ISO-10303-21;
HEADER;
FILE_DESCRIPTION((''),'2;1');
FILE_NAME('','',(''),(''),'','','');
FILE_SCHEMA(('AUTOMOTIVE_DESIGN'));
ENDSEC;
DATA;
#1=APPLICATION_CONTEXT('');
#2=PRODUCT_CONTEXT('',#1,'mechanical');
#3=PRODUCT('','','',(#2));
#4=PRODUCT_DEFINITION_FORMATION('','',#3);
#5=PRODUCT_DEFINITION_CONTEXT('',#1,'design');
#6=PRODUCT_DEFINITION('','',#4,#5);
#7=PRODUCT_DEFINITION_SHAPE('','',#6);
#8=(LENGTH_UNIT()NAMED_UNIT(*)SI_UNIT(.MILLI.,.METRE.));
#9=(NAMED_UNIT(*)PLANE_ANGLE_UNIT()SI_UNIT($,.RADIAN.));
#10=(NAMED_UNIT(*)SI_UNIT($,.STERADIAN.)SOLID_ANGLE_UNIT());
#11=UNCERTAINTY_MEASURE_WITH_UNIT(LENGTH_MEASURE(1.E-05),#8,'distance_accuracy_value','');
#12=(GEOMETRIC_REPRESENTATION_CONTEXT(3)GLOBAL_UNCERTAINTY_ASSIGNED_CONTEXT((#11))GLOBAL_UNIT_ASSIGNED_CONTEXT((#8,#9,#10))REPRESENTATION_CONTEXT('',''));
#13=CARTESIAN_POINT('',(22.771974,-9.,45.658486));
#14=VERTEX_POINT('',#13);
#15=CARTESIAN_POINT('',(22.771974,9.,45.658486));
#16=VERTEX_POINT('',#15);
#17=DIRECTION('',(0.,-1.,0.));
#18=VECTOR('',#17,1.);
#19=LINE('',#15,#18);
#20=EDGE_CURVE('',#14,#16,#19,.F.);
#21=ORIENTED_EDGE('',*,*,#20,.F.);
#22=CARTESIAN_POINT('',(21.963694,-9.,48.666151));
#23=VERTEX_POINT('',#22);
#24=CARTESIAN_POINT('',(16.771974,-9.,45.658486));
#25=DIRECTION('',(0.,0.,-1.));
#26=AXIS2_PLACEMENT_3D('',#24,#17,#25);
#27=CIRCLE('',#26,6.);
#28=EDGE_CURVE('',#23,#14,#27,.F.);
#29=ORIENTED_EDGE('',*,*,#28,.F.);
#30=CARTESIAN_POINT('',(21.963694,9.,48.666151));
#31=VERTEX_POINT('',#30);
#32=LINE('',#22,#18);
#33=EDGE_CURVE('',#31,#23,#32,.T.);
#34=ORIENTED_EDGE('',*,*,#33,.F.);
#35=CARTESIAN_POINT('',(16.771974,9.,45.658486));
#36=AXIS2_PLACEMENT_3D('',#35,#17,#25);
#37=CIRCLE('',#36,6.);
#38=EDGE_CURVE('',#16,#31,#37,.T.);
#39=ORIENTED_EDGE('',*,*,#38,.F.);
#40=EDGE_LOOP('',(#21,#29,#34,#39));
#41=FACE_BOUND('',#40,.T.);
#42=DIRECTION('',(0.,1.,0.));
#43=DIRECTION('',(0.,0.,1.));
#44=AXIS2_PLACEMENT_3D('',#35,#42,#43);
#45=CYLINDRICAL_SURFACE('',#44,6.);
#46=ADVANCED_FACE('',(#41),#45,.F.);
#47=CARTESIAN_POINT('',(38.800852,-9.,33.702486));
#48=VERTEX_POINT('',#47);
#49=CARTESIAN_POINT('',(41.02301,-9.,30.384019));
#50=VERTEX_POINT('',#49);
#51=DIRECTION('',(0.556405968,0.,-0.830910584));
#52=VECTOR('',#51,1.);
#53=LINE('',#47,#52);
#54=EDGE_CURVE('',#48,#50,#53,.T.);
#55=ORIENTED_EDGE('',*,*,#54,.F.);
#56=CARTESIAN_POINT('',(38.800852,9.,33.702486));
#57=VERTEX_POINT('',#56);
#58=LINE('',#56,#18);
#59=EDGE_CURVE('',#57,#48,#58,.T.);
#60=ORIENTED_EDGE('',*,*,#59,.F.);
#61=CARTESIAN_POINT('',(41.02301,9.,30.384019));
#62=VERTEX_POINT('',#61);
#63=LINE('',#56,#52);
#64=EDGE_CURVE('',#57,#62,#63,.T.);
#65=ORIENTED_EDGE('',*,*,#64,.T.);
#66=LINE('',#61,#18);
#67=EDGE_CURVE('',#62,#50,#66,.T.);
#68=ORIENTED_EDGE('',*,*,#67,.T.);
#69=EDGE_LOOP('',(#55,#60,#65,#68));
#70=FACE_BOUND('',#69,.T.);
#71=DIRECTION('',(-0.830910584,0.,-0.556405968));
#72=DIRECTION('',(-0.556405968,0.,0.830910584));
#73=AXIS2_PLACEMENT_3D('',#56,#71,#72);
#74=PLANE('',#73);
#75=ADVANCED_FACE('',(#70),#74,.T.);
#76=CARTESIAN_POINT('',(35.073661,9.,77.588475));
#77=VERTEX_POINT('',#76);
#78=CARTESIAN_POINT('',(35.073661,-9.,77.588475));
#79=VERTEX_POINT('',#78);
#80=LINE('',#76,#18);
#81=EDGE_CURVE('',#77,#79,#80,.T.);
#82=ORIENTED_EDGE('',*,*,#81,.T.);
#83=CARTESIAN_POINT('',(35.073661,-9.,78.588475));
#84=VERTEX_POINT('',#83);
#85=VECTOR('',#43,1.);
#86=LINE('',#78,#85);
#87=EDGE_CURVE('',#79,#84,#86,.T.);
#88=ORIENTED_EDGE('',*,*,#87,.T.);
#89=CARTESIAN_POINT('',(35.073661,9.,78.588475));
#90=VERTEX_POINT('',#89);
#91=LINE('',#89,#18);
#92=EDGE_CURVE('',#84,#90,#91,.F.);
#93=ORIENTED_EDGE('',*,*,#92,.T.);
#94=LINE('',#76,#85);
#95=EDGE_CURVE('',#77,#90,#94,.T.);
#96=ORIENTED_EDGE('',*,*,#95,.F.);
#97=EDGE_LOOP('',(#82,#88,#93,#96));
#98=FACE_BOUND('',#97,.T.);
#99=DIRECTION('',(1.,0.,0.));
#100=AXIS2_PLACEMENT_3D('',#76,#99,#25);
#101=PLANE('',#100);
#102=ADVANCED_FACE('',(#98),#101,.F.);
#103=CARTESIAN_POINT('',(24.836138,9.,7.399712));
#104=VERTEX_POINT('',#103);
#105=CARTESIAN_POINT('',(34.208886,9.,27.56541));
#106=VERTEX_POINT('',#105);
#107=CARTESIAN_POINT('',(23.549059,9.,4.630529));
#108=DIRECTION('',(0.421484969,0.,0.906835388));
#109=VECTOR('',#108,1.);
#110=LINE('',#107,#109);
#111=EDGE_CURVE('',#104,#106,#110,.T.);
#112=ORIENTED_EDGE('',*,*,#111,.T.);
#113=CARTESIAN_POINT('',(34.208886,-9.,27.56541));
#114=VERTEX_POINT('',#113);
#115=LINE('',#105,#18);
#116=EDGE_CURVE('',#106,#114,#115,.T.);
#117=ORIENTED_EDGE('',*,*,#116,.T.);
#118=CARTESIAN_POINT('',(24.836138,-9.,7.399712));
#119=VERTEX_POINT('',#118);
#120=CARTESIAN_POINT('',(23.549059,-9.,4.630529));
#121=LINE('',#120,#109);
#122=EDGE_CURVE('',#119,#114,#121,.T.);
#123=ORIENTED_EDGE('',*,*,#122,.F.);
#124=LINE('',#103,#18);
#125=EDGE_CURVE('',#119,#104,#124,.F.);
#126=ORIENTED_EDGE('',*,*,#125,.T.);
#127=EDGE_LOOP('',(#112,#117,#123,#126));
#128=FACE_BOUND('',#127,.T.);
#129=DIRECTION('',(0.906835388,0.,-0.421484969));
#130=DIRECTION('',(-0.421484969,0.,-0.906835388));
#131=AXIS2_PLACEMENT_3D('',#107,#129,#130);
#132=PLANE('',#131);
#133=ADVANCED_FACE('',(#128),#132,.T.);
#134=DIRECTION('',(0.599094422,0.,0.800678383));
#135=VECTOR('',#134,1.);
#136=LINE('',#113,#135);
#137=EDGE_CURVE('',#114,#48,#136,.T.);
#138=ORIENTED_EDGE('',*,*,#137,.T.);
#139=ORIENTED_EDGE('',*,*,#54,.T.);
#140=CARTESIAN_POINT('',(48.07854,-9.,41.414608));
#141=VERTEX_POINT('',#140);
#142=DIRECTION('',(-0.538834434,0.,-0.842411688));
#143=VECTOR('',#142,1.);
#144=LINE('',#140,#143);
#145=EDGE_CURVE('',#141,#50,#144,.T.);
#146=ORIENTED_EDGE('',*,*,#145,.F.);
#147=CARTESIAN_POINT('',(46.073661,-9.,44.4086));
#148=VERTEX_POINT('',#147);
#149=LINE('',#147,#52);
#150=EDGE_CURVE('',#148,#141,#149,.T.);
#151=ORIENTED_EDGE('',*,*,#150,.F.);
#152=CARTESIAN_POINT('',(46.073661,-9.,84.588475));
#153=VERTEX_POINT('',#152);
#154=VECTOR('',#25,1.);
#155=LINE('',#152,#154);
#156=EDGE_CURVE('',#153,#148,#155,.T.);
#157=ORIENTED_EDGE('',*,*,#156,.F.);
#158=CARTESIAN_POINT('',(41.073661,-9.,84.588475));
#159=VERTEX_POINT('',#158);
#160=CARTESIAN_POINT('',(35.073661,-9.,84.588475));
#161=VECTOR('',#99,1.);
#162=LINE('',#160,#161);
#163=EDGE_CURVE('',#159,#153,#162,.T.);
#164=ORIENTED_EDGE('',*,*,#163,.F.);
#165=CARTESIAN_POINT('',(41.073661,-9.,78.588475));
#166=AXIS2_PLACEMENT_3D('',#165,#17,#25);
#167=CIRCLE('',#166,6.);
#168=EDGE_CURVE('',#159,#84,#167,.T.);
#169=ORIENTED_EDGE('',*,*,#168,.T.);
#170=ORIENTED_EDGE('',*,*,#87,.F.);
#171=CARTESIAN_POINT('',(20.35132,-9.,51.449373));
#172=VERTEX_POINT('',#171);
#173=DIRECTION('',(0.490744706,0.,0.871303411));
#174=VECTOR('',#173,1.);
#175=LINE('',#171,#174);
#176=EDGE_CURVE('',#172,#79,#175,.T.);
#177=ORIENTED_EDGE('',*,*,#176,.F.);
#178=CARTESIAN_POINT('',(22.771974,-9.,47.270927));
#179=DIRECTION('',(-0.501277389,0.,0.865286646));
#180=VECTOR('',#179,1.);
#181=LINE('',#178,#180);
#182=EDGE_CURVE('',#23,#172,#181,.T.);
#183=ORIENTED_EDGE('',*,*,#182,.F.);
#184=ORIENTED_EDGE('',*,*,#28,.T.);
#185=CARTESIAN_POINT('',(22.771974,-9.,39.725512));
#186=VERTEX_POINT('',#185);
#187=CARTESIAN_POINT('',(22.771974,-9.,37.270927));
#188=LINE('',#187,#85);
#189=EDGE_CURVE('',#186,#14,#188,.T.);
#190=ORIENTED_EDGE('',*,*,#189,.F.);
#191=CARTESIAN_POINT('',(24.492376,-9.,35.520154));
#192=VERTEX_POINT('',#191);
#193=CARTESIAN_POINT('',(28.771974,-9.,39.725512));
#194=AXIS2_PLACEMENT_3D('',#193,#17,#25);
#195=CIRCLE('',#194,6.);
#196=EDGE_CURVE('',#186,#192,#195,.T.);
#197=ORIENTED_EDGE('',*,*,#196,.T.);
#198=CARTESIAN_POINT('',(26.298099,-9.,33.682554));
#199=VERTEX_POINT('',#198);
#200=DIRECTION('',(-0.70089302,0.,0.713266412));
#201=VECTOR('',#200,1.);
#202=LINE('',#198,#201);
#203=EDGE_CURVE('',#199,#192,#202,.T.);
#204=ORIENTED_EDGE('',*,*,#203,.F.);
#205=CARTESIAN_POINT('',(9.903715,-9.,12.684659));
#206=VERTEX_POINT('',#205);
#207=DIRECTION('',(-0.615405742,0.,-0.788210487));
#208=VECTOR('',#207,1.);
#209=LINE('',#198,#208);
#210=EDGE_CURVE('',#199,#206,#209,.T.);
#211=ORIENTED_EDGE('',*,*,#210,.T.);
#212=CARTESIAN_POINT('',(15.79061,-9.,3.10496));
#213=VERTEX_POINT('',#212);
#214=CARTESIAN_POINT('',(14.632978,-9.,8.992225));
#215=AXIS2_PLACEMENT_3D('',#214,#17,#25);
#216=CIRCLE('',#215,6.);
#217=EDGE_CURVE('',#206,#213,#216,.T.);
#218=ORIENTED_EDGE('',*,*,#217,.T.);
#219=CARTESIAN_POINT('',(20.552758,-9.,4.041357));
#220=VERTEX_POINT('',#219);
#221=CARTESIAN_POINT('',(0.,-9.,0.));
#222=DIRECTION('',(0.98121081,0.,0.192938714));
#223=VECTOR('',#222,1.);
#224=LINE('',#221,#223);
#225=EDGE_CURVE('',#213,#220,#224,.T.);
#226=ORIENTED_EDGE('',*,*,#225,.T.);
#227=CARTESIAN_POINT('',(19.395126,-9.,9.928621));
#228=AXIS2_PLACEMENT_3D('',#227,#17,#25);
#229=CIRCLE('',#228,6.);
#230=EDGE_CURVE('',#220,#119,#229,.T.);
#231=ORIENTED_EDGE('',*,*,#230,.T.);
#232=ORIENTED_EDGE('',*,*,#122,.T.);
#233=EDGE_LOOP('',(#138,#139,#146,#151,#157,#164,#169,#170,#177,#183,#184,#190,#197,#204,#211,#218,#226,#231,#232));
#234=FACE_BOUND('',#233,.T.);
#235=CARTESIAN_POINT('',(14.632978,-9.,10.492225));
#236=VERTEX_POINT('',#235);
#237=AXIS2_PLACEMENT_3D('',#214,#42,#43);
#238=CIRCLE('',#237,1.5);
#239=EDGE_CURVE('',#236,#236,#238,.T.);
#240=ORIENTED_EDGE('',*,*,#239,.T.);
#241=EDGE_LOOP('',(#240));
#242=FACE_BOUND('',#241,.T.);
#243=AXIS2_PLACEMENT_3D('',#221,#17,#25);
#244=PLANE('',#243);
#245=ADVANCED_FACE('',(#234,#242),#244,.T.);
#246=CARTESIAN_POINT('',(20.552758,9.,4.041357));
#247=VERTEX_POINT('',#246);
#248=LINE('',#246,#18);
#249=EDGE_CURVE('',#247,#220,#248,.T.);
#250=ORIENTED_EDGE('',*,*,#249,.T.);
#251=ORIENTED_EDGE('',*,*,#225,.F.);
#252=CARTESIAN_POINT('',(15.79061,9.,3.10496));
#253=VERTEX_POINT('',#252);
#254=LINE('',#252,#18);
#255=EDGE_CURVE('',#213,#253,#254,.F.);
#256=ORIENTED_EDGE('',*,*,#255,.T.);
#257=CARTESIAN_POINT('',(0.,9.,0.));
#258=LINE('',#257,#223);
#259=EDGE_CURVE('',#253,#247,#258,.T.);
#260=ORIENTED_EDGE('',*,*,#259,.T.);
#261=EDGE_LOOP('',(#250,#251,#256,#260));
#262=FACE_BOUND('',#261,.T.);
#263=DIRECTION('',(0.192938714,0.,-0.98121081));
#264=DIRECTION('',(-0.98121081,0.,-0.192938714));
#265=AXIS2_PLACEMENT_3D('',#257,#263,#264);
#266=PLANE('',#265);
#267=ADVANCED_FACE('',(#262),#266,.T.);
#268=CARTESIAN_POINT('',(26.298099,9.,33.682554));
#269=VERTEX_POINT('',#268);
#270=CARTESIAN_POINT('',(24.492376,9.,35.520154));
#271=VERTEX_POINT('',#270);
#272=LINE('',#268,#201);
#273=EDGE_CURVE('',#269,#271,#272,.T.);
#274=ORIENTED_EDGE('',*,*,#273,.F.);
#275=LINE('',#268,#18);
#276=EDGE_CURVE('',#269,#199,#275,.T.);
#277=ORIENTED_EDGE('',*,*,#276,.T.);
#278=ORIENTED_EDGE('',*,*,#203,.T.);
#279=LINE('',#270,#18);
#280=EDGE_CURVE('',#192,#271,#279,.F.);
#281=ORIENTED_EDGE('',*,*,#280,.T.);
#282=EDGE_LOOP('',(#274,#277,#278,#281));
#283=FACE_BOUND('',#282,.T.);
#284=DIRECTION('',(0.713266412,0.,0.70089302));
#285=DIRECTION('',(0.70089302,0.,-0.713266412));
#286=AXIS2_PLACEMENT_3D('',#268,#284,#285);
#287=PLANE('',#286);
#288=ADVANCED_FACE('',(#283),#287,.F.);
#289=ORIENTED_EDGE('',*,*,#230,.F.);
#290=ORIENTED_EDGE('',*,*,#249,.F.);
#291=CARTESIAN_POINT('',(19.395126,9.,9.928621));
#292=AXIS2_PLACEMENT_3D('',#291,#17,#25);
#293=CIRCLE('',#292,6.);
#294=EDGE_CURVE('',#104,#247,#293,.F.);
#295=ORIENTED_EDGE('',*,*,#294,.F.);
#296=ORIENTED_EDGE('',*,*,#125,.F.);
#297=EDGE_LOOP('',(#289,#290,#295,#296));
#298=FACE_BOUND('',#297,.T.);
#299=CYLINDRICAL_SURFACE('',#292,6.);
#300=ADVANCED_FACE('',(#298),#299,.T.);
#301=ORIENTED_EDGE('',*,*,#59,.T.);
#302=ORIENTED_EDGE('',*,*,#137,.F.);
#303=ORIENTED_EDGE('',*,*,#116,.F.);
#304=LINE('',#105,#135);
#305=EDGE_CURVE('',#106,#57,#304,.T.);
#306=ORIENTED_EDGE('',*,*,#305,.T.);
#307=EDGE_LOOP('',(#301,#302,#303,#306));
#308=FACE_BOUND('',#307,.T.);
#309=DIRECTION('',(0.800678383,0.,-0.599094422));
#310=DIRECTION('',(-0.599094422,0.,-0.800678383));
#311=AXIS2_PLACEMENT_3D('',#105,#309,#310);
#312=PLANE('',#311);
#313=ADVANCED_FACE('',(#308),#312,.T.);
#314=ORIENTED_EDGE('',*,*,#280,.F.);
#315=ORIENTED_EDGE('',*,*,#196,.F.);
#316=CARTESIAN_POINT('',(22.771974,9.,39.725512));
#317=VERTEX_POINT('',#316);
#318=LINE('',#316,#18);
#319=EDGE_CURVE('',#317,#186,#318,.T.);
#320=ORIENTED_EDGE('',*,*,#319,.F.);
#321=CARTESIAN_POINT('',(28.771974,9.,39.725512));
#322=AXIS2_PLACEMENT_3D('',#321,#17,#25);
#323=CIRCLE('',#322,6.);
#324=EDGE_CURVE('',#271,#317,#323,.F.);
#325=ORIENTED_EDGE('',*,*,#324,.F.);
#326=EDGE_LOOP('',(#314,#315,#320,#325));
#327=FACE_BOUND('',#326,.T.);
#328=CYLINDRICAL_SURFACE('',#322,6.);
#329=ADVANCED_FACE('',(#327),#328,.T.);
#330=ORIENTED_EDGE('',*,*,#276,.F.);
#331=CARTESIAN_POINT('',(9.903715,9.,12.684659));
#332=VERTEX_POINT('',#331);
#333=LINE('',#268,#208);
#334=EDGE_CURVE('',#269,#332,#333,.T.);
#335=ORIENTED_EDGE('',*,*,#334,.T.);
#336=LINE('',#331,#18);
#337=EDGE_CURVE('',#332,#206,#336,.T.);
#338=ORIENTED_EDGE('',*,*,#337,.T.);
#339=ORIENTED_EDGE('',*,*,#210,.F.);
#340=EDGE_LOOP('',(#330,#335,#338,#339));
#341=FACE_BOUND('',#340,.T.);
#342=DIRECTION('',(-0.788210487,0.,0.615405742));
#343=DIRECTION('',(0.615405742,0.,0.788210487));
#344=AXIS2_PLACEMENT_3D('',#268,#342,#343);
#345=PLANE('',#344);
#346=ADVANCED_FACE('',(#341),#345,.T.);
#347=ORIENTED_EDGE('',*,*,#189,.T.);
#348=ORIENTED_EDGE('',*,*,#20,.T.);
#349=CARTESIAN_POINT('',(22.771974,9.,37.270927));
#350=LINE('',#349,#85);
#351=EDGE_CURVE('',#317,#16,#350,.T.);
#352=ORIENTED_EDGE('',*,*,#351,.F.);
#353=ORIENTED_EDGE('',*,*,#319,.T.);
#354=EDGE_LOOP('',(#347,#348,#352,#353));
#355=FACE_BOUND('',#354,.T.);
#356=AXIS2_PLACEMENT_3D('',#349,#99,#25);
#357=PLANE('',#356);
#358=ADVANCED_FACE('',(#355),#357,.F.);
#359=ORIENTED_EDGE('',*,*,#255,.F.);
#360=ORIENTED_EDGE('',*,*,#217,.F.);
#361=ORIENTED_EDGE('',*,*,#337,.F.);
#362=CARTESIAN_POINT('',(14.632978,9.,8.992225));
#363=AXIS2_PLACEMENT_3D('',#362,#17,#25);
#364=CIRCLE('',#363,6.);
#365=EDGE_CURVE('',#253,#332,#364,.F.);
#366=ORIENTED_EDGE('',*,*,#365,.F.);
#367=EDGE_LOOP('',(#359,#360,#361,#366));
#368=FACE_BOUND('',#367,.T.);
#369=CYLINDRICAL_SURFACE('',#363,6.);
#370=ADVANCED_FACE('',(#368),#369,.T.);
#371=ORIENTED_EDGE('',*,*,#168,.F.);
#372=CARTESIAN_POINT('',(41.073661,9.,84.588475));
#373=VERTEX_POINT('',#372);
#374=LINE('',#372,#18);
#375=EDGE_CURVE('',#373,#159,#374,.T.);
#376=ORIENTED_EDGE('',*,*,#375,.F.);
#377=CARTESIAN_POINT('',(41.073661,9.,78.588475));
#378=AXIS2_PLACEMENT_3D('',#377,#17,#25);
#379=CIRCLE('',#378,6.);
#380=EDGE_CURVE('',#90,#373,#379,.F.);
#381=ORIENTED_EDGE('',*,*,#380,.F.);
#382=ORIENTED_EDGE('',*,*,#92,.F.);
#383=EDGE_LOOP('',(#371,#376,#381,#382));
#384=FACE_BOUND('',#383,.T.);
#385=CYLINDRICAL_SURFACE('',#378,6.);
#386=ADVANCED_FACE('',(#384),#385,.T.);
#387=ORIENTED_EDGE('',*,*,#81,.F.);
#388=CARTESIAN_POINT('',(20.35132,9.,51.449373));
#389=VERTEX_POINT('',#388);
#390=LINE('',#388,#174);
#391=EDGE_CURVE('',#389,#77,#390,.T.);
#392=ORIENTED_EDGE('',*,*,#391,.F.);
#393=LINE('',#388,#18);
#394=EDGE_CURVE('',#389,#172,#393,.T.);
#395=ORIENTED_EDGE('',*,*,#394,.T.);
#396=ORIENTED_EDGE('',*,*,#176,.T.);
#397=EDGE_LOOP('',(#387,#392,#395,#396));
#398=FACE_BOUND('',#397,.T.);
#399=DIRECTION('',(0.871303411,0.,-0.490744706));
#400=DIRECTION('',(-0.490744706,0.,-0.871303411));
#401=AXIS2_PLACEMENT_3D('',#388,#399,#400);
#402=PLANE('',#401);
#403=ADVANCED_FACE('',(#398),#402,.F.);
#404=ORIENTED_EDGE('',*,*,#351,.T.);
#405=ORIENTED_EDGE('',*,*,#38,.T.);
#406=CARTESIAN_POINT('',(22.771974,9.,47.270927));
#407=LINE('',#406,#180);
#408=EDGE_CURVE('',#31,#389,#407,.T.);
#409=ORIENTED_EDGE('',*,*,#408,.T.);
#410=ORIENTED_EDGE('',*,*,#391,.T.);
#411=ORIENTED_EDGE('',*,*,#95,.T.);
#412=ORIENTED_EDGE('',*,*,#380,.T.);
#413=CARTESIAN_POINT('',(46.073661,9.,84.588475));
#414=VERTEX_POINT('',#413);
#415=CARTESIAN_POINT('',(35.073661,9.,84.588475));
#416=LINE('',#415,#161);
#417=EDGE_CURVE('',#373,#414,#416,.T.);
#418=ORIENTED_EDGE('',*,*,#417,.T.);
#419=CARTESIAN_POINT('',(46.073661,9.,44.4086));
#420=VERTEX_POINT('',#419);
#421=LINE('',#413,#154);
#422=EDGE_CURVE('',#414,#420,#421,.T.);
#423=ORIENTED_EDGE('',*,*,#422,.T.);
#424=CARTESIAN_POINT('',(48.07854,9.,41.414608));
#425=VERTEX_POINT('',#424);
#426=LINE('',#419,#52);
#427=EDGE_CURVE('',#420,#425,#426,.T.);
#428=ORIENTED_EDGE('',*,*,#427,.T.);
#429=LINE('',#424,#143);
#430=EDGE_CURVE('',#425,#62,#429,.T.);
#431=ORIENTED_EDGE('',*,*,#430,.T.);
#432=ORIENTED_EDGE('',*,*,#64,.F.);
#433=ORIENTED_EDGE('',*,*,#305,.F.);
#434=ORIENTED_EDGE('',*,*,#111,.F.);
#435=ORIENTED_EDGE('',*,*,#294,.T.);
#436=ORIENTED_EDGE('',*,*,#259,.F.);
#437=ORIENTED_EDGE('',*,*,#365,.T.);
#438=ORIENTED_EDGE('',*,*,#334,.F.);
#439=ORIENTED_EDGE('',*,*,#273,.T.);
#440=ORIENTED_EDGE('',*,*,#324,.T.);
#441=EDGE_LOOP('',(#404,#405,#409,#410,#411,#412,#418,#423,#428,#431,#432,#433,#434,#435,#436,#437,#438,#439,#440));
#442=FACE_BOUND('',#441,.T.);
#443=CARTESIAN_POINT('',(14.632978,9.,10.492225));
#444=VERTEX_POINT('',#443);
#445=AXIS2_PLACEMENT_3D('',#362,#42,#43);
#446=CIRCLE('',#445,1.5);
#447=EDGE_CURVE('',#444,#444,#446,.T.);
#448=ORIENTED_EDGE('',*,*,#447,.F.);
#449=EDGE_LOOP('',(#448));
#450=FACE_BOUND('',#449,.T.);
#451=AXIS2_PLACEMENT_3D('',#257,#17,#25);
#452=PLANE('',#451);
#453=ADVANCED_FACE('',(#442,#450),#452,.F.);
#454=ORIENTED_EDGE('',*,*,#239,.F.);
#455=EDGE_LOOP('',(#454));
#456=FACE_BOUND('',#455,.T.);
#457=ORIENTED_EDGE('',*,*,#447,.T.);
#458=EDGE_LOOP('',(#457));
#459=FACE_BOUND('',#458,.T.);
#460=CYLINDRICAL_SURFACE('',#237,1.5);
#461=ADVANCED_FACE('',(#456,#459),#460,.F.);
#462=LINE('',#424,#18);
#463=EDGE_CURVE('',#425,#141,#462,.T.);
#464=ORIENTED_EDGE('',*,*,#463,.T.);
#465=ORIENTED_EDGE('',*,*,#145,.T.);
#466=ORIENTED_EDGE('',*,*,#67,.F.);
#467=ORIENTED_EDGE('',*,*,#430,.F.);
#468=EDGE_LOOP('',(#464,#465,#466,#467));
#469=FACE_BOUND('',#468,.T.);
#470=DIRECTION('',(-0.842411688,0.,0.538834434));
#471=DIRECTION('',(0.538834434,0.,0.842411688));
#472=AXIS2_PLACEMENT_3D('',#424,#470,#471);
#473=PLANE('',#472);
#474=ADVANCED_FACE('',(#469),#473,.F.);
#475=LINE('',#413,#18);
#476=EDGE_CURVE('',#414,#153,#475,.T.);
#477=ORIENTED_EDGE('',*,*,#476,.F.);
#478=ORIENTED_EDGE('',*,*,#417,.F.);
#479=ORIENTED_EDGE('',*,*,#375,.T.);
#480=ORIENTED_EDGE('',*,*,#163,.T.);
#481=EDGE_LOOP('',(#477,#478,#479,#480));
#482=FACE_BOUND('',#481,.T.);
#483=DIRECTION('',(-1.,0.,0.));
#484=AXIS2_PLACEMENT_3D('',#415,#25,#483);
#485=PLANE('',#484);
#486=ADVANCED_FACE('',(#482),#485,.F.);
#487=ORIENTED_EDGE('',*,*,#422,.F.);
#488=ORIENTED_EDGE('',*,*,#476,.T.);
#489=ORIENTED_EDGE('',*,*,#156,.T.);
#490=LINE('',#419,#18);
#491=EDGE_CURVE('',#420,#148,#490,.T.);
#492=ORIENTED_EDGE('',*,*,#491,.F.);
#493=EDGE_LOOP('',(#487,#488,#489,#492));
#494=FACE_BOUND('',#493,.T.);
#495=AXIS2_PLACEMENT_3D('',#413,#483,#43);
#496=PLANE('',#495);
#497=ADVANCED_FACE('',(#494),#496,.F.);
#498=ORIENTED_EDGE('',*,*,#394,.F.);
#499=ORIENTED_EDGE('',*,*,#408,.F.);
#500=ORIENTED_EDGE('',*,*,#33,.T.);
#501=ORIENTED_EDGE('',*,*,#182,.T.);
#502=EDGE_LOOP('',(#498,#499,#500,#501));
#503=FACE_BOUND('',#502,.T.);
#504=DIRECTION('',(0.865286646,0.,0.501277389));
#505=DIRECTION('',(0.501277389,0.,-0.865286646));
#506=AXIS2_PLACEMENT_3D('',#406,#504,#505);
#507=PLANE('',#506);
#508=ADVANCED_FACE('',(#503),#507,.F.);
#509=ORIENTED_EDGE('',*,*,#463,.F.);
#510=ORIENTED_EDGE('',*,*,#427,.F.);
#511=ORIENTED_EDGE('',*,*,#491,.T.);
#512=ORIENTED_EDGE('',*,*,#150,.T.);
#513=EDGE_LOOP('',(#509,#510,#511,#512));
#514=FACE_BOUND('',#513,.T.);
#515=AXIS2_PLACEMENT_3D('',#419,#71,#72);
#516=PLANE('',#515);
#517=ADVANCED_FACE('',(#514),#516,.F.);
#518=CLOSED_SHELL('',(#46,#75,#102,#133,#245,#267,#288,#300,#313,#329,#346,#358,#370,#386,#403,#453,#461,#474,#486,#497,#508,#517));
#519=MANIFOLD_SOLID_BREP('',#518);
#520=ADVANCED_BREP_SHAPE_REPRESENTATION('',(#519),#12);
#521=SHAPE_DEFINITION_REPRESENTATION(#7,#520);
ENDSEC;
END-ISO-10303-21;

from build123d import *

# Parameters (mm, degrees)
BOSS_EXTRUDE1_DEPTH = 9
FILLET1_R           = 6
FILLET2_R           = 6
FILLET3_R           = 6
SKETCH4_R           = 1.5
CUT_EXTRUDE2_DEPTH  = 99.948249762


with BuildPart() as part:
    # Sketch1 → Boss-Extrude1 (new, symmetric)
    with BuildSketch(Plane(origin=(0, 0, 0), x_dir=(1, 0, 0), z_dir=(0, 1, 0))):
        Polygon((26.298098503, -33.68255382), (0, 0), (23.549059428, -4.630529132), (34.208885562, -27.565410034), (38.800851719, -33.702486103), (41.023010007, -30.384019108), (48.078540091, -41.414607796), (46.07366082, -44.408600496), (46.07366082, -84.588475064), (35.07366082, -84.588475064), (35.07366082, -77.588475064), (20.351319641, -51.449372742), (22.771974432, -47.270927217), (22.771974432, -37.270927217), align=None)
    extrude(amount=BOSS_EXTRUDE1_DEPTH, both=True)

    # Fillet1
    fillet1_edges = [part.edges().sort_by_distance(p)[0] for p in [
        (0, 0, 0),
        (23.549059428, 0, 4.630529132),
    ]]
    fillet(fillet1_edges, radius=FILLET1_R)

    # Fillet2
    fillet2_edges = [part.edges().sort_by_distance(p)[0] for p in [
        (22.771974432, 0, 47.270927217),
        (22.771974432, 0, 37.270927217),
    ]]
    fillet(fillet2_edges, radius=FILLET2_R)

    # Fillet3
    fillet3_edges = [part.edges().sort_by_distance(p)[0] for p in [
        (35.07366082, 0, 84.588475064),
    ]]
    fillet(fillet3_edges, radius=FILLET3_R)

    # Sketch4 → Cut-Extrude2 (cut, through all)
    with BuildSketch(Plane(origin=(0, 9, 0), x_dir=(1, 0, 0), z_dir=(0, 1, 0))):
        with Locations(Location((14.632977879, -8.992224551, 0), (0, 0, 270))):
            Circle(SKETCH4_R)
    extrude(amount=-CUT_EXTRUDE2_DEPTH, mode=Mode.SUBTRACT)


solid = part.part
